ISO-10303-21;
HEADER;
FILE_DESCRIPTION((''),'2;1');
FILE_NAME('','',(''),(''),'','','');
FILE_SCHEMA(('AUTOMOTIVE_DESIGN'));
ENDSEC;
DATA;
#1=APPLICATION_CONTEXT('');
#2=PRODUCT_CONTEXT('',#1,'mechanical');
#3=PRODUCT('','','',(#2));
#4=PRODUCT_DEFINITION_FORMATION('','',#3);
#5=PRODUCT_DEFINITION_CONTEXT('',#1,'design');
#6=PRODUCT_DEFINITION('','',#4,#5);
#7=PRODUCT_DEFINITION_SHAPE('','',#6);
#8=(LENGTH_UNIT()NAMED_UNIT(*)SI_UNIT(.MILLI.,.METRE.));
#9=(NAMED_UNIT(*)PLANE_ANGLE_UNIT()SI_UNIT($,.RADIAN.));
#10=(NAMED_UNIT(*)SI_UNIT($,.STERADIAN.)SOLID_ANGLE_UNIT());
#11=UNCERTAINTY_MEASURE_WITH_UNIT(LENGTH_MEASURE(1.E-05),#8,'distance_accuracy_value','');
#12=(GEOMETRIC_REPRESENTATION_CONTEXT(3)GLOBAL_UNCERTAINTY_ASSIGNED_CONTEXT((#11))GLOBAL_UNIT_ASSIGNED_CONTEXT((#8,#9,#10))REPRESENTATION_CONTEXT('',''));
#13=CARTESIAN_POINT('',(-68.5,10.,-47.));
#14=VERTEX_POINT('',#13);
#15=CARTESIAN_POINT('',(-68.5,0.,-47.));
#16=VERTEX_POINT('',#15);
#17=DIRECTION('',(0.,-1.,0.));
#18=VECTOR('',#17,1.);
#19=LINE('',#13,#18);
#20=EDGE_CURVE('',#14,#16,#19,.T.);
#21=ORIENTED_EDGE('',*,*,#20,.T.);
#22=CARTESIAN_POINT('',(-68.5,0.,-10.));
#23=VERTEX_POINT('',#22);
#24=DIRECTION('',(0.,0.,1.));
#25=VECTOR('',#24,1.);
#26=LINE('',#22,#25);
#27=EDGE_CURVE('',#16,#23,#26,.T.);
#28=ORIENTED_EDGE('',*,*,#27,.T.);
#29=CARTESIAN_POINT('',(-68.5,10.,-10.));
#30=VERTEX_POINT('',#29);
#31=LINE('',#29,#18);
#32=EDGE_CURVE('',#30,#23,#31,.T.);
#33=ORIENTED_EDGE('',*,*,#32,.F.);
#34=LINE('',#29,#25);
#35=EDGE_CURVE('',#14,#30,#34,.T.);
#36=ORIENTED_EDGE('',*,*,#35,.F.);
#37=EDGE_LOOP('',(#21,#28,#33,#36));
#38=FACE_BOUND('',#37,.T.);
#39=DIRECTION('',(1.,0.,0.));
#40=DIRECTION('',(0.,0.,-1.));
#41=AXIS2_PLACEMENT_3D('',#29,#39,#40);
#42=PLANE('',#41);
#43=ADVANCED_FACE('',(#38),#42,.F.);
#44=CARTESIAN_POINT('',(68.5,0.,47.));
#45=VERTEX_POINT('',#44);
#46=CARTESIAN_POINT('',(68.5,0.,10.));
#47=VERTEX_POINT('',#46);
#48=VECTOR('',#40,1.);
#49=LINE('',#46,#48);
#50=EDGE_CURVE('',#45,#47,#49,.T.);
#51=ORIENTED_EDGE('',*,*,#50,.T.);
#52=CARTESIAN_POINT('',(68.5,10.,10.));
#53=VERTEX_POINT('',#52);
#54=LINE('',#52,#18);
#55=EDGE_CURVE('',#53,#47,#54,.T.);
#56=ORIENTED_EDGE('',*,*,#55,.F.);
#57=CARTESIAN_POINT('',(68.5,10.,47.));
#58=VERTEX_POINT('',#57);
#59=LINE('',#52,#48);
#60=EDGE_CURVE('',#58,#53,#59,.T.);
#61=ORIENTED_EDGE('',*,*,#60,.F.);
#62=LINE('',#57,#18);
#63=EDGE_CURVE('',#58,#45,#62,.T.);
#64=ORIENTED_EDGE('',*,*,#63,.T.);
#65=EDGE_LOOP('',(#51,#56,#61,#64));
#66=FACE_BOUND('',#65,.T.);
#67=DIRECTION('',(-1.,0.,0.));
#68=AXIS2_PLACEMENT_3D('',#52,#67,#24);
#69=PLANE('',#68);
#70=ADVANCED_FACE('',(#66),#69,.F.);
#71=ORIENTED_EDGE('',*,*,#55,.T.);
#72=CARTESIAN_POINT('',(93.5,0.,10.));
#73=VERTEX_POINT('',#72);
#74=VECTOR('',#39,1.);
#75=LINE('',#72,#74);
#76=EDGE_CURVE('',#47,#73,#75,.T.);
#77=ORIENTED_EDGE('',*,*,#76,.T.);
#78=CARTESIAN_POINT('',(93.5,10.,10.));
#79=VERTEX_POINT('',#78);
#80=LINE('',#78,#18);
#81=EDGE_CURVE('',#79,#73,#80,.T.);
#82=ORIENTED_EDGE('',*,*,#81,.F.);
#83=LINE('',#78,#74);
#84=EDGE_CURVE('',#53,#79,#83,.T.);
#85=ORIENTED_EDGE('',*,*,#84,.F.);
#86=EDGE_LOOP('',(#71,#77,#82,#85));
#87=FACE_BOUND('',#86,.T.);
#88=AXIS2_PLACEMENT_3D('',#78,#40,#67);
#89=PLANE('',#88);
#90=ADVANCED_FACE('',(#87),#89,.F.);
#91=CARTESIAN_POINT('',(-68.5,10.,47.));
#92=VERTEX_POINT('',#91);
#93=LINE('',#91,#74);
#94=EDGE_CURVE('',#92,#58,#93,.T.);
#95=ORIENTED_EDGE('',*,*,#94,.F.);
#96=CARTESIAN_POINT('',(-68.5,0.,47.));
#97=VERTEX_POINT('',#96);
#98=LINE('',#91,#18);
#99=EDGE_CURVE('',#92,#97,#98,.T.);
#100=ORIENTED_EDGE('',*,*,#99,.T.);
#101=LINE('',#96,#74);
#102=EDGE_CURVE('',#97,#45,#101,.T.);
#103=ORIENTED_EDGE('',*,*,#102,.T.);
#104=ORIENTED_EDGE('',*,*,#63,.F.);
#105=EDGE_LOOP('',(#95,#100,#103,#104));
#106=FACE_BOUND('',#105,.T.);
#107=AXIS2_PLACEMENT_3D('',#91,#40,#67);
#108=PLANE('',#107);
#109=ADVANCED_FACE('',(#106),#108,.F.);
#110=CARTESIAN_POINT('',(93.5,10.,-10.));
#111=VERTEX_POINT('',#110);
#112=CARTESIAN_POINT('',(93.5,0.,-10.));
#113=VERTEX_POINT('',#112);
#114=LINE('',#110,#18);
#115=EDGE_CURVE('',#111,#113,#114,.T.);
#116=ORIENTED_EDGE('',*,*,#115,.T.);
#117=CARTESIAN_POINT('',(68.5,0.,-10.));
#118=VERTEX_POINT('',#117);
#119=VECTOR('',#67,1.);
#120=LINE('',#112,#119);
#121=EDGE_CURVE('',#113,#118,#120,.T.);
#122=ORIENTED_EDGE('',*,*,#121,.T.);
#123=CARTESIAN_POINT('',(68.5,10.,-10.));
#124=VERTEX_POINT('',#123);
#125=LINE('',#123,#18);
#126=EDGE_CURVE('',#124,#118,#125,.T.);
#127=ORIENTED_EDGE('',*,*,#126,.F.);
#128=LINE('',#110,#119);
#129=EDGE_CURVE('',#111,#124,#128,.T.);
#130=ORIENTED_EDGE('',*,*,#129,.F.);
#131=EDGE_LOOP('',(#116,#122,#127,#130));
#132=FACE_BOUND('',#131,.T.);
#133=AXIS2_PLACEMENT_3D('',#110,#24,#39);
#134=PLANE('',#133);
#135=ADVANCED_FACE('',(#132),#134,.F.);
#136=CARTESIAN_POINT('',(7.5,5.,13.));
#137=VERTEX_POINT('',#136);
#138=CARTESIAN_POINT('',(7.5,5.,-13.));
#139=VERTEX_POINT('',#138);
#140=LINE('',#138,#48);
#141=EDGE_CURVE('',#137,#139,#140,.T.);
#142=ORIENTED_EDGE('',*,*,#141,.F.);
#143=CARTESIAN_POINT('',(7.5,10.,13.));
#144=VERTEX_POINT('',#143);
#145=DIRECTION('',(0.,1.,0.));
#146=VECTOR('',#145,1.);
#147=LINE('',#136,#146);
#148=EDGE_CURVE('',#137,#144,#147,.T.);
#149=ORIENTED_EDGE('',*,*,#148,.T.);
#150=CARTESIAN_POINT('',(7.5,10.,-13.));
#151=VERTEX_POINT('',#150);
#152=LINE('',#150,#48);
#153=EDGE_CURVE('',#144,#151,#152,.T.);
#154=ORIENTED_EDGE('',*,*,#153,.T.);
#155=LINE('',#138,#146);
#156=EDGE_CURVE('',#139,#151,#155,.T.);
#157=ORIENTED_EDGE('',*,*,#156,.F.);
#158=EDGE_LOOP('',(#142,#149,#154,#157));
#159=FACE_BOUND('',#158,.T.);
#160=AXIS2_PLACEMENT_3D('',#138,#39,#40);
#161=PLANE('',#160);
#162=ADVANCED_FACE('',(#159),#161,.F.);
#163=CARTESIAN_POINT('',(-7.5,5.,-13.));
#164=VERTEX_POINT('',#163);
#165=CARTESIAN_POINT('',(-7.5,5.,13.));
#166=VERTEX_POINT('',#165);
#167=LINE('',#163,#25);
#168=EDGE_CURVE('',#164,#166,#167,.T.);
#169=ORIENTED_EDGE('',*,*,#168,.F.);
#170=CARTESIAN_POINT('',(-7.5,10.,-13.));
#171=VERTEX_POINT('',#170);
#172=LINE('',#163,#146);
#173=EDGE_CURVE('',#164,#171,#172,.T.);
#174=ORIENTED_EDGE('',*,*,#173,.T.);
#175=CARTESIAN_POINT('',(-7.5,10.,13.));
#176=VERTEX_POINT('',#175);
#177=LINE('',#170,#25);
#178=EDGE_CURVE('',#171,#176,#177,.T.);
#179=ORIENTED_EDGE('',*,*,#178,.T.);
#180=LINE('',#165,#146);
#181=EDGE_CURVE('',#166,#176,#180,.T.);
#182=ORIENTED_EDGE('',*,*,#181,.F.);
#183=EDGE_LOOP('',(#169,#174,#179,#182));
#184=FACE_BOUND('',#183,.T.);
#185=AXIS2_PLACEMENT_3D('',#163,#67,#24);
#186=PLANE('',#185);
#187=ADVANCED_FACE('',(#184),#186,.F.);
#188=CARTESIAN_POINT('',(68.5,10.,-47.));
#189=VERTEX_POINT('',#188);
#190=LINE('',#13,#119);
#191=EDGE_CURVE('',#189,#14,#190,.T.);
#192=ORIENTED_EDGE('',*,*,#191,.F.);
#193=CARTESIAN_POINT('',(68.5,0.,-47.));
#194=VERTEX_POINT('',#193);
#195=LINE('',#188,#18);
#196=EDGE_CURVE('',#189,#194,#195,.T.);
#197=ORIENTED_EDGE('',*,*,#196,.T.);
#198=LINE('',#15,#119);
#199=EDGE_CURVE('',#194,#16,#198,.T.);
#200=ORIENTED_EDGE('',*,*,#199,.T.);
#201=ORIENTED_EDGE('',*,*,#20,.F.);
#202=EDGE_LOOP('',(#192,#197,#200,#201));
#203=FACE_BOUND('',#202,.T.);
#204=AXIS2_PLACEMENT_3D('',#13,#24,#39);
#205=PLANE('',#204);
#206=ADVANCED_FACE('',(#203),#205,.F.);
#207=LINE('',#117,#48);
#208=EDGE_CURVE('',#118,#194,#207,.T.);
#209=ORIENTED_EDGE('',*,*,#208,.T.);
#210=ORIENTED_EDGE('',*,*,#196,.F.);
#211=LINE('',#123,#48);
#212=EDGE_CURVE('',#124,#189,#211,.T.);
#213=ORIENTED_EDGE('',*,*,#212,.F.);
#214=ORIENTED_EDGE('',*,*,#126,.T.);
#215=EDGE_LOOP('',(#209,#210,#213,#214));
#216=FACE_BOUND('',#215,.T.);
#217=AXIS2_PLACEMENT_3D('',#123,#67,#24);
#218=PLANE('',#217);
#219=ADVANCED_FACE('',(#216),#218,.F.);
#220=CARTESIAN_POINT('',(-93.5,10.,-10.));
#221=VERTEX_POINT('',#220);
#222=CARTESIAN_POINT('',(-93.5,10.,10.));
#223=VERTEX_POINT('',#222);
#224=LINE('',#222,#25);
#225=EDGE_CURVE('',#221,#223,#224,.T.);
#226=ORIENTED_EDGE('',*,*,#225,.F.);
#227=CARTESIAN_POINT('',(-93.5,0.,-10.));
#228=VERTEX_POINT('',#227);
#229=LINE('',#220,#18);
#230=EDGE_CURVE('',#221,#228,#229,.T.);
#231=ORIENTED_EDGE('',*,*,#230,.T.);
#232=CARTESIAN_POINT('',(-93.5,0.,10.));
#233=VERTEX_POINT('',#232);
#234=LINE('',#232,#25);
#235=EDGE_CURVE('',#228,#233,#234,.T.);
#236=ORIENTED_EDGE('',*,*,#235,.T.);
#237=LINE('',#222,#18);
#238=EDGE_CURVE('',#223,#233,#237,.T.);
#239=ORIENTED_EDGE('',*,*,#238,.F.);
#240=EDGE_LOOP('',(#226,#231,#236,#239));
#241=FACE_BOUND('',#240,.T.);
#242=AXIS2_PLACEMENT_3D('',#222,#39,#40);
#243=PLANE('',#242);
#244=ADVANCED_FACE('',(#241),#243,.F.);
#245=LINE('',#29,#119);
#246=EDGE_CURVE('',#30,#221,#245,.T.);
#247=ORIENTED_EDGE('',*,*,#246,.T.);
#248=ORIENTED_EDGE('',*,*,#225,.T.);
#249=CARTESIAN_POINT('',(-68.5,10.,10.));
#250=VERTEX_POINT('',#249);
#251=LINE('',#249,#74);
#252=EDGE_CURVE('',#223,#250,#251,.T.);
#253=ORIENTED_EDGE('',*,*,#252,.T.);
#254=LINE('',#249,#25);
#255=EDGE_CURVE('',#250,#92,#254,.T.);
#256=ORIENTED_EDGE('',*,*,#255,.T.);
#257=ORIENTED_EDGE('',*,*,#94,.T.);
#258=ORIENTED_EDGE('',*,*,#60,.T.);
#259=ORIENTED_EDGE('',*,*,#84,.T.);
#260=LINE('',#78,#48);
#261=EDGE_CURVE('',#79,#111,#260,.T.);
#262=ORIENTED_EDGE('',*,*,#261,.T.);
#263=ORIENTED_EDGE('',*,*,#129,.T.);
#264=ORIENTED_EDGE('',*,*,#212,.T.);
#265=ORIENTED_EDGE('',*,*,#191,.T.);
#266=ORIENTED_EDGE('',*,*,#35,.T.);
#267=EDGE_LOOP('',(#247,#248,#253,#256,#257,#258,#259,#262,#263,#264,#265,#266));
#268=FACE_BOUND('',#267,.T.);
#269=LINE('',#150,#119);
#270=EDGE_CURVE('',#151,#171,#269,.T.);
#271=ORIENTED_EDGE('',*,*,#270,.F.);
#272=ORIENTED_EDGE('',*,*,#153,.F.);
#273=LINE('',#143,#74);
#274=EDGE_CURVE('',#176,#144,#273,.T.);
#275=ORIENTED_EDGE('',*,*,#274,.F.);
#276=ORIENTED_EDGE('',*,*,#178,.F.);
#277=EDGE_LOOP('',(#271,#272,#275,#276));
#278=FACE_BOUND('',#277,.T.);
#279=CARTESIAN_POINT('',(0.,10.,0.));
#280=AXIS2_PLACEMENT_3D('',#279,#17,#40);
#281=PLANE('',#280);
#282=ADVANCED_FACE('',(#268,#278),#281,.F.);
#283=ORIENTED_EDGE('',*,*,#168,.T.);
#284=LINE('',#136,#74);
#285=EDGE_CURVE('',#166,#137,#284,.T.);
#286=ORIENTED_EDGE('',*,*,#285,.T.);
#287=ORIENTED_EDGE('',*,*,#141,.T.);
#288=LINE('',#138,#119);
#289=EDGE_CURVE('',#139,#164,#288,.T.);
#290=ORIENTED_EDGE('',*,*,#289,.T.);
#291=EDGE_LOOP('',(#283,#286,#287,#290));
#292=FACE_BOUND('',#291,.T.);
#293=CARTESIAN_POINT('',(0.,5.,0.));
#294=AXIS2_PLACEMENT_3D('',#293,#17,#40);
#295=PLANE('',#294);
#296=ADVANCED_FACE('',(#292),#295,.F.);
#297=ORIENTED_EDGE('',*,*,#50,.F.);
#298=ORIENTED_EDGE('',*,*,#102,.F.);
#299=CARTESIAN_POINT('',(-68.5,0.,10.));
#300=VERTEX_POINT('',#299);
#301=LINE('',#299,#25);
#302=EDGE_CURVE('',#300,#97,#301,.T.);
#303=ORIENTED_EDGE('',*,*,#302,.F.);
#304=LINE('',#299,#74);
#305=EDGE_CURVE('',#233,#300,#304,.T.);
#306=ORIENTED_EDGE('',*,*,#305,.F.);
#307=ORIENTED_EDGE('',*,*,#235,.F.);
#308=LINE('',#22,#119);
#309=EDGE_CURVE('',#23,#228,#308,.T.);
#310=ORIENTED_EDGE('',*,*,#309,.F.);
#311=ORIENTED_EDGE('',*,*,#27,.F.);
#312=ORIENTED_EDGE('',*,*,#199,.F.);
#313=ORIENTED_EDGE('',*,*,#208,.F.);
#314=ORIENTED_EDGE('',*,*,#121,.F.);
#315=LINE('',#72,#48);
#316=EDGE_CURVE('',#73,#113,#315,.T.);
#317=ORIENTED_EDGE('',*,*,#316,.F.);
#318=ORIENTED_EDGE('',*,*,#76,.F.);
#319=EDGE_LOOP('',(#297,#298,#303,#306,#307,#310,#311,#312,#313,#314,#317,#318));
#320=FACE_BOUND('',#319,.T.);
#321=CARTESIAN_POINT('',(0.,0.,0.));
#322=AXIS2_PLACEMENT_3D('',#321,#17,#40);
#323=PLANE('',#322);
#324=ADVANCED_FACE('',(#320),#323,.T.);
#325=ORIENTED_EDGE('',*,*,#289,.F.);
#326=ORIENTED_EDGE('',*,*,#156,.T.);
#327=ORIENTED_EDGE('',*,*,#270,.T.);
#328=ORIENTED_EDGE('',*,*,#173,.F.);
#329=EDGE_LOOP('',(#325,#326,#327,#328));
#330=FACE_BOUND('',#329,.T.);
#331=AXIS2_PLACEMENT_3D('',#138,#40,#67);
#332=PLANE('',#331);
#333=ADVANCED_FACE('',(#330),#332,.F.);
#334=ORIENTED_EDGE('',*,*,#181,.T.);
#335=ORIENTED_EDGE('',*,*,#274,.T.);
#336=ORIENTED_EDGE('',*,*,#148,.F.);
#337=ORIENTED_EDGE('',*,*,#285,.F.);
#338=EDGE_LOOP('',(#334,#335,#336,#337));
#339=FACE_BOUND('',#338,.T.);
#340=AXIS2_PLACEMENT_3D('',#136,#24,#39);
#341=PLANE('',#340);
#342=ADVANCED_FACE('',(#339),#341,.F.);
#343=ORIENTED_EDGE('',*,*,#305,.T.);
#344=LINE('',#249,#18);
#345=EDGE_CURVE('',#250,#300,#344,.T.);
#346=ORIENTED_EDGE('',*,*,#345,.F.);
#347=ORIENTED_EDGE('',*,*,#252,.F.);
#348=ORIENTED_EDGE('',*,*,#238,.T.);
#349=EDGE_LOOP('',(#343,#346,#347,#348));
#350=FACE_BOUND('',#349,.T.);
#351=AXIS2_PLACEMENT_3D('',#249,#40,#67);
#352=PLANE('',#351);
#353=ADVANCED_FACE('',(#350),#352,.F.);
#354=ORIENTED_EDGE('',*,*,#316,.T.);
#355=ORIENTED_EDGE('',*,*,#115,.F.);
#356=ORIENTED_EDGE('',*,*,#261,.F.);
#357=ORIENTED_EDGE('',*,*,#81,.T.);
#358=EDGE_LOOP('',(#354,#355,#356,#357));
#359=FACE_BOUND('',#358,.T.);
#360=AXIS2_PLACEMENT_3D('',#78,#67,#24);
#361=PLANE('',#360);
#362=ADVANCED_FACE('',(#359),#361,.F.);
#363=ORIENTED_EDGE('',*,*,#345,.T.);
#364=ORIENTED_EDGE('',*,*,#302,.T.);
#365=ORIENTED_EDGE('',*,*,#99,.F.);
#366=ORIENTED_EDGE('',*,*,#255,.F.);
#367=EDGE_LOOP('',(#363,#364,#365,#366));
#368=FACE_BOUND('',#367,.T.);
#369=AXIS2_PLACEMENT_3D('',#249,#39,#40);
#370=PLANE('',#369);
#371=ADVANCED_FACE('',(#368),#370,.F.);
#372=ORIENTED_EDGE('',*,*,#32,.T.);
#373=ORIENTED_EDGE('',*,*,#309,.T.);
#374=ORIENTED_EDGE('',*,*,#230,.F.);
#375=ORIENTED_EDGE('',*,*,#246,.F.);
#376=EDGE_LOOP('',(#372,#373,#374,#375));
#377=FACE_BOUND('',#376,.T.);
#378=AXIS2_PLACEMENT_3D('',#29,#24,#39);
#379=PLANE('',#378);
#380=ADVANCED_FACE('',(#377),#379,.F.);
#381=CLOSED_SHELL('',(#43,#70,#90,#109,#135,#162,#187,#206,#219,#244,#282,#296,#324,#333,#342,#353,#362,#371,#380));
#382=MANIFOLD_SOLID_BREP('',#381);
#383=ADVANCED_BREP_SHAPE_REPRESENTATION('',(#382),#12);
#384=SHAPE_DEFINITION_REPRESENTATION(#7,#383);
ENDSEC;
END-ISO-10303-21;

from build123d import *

# Parameters (mm, degrees)
SALIENTE_EXTRUIR1_DEPTH = 10
CROQUIS3_W              = 15
CROQUIS3_H              = 26
CORTAR_EXTRUIR3_DEPTH   = 5


with BuildPart() as part:
    # Croquis1 → Saliente-Extruir1 (new body)
    with BuildSketch(Plane(origin=(0, 0, 0), x_dir=(1, 0, 0), z_dir=(0, 1, 0))):
        Polygon((93.5, -10), (68.5, -10), (68.5, -47), (-68.5, -47), (-68.5, -10), (-93.5, -10), (-93.5, 10), (-68.5, 10), (-68.5, 47), (68.5, 47), (68.5, 10), (93.5, 10), align=None)
    extrude(amount=SALIENTE_EXTRUIR1_DEPTH)

    # Croquis3 → Cortar-Extruir3 (cut)
    with BuildSketch(Plane(origin=(0, 10, 0), x_dir=(1, 0, 0), z_dir=(0, 1, 0))):
        Rectangle(CROQUIS3_W, CROQUIS3_H)
    extrude(amount=-CORTAR_EXTRUIR3_DEPTH, mode=Mode.SUBTRACT)


solid = part.part
